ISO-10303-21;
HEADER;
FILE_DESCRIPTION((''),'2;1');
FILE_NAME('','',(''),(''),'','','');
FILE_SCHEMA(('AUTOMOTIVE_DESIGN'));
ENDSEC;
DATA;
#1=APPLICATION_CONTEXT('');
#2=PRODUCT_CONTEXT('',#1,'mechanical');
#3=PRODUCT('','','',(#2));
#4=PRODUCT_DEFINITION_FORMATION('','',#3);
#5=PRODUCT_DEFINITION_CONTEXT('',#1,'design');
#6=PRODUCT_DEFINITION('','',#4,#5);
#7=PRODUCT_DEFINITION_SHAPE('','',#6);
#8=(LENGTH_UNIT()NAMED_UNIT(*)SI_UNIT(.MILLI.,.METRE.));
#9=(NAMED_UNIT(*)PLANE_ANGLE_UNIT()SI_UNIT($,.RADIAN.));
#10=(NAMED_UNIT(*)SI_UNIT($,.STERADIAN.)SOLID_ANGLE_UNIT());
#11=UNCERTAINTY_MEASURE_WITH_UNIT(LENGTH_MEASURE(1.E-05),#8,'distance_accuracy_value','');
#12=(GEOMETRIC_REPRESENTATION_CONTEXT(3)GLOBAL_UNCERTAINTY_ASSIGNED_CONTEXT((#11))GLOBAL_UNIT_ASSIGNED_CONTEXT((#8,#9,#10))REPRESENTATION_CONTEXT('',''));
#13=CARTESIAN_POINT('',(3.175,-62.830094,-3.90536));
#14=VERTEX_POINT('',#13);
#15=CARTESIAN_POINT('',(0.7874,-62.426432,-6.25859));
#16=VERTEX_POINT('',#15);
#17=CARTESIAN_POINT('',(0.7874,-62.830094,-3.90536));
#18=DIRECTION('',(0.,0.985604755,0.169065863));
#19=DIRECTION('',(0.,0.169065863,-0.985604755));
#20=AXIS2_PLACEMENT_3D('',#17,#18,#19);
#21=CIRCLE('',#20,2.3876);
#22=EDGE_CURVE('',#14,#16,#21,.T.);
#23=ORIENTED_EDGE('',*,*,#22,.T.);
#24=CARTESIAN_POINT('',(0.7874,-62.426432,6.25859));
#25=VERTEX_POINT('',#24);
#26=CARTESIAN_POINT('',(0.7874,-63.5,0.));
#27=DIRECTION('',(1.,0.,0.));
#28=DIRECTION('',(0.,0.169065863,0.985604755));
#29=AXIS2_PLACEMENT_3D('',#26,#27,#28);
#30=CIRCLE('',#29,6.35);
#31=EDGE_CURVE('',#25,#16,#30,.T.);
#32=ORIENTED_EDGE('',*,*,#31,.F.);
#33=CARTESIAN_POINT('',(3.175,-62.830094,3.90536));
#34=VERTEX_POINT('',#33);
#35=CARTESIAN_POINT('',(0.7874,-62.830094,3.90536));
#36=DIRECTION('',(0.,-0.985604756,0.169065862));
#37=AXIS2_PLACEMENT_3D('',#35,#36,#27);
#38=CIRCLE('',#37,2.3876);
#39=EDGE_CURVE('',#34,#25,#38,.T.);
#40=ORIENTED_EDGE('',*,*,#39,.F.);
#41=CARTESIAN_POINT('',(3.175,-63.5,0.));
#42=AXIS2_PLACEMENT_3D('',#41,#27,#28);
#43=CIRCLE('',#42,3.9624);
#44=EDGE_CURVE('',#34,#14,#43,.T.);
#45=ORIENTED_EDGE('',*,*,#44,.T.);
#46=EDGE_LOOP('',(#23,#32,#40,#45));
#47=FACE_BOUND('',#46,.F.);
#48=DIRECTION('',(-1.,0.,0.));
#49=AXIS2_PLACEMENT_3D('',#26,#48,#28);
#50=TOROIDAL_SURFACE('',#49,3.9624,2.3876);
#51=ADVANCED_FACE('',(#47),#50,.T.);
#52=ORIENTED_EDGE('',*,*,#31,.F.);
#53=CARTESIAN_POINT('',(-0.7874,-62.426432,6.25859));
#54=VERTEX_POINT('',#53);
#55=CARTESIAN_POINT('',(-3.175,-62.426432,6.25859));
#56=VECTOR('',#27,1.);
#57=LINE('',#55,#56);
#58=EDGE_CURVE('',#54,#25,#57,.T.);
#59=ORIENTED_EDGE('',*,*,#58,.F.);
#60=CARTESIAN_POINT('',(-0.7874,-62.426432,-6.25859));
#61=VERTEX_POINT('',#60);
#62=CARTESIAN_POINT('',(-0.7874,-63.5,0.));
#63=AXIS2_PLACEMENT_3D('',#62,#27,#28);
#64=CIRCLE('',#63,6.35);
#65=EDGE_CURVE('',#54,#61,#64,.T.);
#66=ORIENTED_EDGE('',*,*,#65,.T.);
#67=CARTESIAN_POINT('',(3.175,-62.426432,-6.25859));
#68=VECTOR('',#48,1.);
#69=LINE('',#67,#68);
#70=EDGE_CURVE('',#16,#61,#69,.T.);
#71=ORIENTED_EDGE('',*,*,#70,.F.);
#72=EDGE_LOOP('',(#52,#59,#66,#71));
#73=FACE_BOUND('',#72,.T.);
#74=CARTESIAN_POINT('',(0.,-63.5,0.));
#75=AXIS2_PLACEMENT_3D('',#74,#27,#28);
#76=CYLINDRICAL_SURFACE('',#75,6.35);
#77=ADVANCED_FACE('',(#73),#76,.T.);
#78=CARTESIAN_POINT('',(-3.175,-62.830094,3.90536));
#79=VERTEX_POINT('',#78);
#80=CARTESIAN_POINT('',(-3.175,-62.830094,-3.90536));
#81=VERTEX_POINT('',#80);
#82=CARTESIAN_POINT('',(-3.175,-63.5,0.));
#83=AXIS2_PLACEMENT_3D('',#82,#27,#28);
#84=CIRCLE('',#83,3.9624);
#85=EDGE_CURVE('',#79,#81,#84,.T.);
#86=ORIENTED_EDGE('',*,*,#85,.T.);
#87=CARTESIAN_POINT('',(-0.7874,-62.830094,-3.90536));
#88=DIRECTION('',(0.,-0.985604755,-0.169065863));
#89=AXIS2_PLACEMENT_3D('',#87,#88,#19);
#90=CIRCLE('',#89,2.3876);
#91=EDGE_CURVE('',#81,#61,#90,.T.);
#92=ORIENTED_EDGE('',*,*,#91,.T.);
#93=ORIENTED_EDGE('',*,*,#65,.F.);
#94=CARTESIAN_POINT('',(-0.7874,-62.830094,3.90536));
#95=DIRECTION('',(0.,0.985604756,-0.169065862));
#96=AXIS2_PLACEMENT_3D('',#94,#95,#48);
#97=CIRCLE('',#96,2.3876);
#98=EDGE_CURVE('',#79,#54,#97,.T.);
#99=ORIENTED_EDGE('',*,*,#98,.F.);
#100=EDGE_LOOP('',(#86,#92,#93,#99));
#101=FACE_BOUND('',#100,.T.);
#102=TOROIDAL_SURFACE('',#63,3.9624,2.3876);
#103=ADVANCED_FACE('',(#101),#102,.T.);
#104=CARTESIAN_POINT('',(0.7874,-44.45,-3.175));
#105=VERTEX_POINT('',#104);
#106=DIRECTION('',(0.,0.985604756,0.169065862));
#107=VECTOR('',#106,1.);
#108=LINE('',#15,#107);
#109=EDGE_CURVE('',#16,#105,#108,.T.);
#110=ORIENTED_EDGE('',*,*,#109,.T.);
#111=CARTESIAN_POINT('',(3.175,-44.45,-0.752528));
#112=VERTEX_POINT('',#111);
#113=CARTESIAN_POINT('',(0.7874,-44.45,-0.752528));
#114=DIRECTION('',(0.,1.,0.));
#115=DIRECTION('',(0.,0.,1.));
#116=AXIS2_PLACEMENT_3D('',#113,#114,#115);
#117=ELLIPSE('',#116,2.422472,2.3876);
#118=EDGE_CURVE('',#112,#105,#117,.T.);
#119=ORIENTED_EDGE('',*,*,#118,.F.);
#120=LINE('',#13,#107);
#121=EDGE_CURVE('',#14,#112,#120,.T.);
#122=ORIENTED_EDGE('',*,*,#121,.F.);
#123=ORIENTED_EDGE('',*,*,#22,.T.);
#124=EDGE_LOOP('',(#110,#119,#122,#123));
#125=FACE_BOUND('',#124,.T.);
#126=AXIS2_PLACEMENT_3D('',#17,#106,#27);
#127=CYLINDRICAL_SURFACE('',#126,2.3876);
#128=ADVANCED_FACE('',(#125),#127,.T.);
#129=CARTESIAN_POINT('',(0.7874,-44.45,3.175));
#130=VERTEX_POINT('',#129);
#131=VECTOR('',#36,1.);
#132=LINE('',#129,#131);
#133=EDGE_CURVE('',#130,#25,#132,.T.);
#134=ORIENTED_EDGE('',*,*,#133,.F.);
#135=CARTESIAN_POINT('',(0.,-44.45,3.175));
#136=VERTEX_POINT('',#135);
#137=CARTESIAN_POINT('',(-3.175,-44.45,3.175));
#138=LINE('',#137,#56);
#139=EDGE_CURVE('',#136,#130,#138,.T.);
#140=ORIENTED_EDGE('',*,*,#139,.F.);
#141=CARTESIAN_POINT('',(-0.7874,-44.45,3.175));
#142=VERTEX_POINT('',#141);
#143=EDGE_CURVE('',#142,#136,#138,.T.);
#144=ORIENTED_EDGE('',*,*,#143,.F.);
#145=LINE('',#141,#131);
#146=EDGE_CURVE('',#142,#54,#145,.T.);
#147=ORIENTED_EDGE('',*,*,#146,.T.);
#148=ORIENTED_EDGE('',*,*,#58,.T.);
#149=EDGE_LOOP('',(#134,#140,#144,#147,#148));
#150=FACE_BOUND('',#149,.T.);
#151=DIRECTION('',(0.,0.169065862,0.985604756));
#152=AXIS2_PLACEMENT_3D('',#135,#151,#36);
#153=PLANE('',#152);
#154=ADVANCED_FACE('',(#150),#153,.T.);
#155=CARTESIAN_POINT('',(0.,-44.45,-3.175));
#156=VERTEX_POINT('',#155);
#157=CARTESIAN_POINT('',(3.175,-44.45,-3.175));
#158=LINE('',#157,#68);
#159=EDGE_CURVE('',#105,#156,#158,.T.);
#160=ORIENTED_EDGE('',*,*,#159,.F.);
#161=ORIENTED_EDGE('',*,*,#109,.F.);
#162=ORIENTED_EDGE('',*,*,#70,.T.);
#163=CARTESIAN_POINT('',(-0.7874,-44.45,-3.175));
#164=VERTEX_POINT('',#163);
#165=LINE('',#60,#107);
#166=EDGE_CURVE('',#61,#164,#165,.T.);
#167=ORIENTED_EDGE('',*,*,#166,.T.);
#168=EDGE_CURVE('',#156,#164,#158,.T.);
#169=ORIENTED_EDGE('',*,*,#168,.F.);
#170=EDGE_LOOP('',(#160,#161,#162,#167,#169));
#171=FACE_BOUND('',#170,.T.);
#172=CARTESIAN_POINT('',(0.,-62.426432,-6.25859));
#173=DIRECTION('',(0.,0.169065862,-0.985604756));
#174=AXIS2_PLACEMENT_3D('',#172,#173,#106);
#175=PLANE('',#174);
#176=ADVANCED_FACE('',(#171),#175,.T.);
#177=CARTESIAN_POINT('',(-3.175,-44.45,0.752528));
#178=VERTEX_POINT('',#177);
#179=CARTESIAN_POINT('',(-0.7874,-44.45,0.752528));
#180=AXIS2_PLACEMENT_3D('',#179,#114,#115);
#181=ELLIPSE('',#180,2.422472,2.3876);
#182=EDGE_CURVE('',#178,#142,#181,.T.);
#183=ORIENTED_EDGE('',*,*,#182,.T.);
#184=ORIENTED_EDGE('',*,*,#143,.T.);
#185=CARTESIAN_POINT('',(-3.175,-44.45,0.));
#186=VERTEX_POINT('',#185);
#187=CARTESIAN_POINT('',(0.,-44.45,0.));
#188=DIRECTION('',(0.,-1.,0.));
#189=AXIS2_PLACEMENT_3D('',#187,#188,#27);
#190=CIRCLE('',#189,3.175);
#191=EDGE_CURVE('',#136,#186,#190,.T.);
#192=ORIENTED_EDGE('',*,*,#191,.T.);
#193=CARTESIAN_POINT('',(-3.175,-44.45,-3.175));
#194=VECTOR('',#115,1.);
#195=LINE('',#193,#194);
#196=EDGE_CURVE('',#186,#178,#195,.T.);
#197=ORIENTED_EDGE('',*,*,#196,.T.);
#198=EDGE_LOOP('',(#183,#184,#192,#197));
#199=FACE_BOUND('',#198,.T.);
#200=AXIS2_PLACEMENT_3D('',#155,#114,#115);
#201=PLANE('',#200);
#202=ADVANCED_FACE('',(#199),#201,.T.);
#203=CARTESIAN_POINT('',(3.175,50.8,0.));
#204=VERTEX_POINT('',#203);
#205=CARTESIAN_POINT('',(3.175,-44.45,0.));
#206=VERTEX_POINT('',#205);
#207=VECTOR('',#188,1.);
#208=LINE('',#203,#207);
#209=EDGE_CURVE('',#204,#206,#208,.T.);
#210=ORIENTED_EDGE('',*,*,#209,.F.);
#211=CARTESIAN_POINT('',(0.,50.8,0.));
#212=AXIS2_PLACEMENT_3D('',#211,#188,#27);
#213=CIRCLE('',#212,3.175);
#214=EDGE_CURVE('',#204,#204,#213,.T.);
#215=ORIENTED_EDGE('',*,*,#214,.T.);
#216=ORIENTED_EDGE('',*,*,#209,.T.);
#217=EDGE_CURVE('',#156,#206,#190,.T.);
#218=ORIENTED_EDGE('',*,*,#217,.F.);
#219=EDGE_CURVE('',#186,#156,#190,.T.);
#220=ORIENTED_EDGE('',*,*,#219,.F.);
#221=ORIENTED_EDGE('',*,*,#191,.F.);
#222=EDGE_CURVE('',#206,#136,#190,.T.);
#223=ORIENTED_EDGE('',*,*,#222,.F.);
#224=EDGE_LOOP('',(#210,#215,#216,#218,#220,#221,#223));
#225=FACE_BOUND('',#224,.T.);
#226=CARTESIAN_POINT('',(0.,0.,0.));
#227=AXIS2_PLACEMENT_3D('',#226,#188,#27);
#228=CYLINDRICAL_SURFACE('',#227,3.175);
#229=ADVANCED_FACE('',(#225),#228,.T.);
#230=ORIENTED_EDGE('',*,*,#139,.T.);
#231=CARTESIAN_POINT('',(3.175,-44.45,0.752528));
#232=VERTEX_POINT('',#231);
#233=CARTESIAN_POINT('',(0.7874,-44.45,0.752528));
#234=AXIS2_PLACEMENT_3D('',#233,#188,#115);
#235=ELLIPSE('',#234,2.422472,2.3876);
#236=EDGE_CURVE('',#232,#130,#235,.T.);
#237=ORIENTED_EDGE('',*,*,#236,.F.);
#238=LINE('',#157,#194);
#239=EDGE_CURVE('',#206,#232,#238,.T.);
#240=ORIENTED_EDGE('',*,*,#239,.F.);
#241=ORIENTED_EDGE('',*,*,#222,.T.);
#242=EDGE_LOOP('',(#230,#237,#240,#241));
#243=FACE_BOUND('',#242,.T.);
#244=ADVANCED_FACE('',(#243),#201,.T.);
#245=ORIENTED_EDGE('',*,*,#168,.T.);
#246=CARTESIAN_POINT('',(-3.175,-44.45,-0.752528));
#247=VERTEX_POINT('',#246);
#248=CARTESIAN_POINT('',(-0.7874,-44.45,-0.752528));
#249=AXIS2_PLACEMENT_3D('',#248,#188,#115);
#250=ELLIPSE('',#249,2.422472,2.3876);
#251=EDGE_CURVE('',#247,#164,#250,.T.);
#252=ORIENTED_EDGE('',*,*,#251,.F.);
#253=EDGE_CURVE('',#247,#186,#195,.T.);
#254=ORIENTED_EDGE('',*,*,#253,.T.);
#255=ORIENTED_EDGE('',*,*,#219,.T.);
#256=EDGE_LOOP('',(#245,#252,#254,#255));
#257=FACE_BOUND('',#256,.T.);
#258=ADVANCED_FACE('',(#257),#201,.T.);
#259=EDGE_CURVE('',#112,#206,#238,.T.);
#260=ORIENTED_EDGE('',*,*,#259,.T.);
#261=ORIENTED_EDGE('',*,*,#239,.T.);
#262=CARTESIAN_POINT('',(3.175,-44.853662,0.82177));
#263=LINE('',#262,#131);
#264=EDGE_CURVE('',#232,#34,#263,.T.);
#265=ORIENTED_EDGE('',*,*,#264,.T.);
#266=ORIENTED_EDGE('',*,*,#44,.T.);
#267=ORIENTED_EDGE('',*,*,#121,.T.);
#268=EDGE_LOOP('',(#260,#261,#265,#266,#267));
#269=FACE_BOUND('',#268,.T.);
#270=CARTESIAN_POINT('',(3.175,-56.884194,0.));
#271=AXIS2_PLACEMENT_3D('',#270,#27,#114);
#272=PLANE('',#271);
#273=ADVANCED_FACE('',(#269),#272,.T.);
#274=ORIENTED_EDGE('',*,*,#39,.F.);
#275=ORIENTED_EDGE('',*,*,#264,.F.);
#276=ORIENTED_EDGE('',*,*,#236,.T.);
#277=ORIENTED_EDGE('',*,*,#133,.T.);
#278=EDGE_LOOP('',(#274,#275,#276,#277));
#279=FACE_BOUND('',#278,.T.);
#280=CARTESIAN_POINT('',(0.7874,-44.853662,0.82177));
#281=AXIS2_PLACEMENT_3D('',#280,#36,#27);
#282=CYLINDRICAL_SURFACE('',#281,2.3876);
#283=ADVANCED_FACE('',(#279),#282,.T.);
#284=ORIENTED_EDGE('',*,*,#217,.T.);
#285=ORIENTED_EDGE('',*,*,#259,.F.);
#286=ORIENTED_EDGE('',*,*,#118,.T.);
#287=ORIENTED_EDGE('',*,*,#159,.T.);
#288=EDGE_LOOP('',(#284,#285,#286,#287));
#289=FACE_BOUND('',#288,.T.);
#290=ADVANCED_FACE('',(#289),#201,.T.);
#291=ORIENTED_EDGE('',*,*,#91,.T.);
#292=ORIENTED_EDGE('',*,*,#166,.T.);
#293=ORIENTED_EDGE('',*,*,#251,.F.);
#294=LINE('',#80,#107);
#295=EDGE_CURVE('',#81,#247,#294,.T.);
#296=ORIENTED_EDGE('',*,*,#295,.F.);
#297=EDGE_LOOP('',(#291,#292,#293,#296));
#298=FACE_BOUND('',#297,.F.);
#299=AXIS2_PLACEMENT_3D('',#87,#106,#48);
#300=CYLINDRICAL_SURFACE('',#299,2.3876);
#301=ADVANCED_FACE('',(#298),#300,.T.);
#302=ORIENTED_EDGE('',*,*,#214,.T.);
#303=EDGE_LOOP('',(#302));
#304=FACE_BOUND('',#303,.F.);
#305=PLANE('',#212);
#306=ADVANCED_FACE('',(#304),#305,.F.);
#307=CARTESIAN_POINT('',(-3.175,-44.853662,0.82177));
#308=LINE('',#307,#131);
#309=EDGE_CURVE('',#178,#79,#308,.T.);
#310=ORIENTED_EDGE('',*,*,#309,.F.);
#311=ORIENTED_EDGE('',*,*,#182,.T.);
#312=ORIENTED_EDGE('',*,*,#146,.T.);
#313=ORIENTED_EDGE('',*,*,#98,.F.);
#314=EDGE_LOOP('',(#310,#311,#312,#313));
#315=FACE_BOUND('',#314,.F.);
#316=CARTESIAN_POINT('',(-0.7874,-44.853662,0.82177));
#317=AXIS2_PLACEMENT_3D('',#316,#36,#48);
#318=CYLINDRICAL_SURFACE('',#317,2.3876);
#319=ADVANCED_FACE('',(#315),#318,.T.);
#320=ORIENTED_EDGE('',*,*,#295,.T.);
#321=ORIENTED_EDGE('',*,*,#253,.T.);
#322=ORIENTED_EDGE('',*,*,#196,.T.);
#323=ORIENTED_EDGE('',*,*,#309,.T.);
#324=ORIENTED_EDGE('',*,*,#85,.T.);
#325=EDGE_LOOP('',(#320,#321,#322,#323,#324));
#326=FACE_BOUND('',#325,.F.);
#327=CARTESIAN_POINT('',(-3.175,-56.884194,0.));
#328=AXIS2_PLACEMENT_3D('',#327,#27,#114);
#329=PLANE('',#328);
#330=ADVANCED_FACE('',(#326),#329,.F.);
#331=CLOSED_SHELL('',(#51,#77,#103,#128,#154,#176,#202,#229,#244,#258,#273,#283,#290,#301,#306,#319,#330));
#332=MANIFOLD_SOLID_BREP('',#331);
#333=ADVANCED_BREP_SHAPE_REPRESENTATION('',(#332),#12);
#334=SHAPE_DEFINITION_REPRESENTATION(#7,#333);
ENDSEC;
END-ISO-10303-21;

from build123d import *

# Parameters (mm, degrees)
F0_R     = 3.175
F1_DEPTH = 50.8
F3_DEPTH = 3.175
F4_R     = 2.3876


with BuildPart() as f1:
    # F0 (on Front) → F1 (new body, symmetric)
    with BuildSketch(Plane.XZ):
        Circle(F0_R)
    extrude(amount=F1_DEPTH, both=True)

    # F2 (on Right) → F3 (join, symmetric)
    with BuildSketch(Plane.YZ):
        with BuildLine():
            Line((-44.45, -3.175), (-44.45, 3.175))
            Line((-44.45, 3.175), (-62.426432, 6.25859))
            ThreePointArc((-62.426432, 6.25859), (-69.85, 0), (-62.426432, -6.25859))
            Line((-62.426432, -6.25859), (-44.45, -3.175))
        make_face()
    extrude(amount=F3_DEPTH, both=True)

    # F4
    f4_edges = [f1.edges().sort_by_distance(p)[0] for p in [
        (3.175, -69.85, 0),
        (-3.175, -69.85, 0),
    ]]
    fillet(f4_edges, radius=F4_R)


solid = f1.part
